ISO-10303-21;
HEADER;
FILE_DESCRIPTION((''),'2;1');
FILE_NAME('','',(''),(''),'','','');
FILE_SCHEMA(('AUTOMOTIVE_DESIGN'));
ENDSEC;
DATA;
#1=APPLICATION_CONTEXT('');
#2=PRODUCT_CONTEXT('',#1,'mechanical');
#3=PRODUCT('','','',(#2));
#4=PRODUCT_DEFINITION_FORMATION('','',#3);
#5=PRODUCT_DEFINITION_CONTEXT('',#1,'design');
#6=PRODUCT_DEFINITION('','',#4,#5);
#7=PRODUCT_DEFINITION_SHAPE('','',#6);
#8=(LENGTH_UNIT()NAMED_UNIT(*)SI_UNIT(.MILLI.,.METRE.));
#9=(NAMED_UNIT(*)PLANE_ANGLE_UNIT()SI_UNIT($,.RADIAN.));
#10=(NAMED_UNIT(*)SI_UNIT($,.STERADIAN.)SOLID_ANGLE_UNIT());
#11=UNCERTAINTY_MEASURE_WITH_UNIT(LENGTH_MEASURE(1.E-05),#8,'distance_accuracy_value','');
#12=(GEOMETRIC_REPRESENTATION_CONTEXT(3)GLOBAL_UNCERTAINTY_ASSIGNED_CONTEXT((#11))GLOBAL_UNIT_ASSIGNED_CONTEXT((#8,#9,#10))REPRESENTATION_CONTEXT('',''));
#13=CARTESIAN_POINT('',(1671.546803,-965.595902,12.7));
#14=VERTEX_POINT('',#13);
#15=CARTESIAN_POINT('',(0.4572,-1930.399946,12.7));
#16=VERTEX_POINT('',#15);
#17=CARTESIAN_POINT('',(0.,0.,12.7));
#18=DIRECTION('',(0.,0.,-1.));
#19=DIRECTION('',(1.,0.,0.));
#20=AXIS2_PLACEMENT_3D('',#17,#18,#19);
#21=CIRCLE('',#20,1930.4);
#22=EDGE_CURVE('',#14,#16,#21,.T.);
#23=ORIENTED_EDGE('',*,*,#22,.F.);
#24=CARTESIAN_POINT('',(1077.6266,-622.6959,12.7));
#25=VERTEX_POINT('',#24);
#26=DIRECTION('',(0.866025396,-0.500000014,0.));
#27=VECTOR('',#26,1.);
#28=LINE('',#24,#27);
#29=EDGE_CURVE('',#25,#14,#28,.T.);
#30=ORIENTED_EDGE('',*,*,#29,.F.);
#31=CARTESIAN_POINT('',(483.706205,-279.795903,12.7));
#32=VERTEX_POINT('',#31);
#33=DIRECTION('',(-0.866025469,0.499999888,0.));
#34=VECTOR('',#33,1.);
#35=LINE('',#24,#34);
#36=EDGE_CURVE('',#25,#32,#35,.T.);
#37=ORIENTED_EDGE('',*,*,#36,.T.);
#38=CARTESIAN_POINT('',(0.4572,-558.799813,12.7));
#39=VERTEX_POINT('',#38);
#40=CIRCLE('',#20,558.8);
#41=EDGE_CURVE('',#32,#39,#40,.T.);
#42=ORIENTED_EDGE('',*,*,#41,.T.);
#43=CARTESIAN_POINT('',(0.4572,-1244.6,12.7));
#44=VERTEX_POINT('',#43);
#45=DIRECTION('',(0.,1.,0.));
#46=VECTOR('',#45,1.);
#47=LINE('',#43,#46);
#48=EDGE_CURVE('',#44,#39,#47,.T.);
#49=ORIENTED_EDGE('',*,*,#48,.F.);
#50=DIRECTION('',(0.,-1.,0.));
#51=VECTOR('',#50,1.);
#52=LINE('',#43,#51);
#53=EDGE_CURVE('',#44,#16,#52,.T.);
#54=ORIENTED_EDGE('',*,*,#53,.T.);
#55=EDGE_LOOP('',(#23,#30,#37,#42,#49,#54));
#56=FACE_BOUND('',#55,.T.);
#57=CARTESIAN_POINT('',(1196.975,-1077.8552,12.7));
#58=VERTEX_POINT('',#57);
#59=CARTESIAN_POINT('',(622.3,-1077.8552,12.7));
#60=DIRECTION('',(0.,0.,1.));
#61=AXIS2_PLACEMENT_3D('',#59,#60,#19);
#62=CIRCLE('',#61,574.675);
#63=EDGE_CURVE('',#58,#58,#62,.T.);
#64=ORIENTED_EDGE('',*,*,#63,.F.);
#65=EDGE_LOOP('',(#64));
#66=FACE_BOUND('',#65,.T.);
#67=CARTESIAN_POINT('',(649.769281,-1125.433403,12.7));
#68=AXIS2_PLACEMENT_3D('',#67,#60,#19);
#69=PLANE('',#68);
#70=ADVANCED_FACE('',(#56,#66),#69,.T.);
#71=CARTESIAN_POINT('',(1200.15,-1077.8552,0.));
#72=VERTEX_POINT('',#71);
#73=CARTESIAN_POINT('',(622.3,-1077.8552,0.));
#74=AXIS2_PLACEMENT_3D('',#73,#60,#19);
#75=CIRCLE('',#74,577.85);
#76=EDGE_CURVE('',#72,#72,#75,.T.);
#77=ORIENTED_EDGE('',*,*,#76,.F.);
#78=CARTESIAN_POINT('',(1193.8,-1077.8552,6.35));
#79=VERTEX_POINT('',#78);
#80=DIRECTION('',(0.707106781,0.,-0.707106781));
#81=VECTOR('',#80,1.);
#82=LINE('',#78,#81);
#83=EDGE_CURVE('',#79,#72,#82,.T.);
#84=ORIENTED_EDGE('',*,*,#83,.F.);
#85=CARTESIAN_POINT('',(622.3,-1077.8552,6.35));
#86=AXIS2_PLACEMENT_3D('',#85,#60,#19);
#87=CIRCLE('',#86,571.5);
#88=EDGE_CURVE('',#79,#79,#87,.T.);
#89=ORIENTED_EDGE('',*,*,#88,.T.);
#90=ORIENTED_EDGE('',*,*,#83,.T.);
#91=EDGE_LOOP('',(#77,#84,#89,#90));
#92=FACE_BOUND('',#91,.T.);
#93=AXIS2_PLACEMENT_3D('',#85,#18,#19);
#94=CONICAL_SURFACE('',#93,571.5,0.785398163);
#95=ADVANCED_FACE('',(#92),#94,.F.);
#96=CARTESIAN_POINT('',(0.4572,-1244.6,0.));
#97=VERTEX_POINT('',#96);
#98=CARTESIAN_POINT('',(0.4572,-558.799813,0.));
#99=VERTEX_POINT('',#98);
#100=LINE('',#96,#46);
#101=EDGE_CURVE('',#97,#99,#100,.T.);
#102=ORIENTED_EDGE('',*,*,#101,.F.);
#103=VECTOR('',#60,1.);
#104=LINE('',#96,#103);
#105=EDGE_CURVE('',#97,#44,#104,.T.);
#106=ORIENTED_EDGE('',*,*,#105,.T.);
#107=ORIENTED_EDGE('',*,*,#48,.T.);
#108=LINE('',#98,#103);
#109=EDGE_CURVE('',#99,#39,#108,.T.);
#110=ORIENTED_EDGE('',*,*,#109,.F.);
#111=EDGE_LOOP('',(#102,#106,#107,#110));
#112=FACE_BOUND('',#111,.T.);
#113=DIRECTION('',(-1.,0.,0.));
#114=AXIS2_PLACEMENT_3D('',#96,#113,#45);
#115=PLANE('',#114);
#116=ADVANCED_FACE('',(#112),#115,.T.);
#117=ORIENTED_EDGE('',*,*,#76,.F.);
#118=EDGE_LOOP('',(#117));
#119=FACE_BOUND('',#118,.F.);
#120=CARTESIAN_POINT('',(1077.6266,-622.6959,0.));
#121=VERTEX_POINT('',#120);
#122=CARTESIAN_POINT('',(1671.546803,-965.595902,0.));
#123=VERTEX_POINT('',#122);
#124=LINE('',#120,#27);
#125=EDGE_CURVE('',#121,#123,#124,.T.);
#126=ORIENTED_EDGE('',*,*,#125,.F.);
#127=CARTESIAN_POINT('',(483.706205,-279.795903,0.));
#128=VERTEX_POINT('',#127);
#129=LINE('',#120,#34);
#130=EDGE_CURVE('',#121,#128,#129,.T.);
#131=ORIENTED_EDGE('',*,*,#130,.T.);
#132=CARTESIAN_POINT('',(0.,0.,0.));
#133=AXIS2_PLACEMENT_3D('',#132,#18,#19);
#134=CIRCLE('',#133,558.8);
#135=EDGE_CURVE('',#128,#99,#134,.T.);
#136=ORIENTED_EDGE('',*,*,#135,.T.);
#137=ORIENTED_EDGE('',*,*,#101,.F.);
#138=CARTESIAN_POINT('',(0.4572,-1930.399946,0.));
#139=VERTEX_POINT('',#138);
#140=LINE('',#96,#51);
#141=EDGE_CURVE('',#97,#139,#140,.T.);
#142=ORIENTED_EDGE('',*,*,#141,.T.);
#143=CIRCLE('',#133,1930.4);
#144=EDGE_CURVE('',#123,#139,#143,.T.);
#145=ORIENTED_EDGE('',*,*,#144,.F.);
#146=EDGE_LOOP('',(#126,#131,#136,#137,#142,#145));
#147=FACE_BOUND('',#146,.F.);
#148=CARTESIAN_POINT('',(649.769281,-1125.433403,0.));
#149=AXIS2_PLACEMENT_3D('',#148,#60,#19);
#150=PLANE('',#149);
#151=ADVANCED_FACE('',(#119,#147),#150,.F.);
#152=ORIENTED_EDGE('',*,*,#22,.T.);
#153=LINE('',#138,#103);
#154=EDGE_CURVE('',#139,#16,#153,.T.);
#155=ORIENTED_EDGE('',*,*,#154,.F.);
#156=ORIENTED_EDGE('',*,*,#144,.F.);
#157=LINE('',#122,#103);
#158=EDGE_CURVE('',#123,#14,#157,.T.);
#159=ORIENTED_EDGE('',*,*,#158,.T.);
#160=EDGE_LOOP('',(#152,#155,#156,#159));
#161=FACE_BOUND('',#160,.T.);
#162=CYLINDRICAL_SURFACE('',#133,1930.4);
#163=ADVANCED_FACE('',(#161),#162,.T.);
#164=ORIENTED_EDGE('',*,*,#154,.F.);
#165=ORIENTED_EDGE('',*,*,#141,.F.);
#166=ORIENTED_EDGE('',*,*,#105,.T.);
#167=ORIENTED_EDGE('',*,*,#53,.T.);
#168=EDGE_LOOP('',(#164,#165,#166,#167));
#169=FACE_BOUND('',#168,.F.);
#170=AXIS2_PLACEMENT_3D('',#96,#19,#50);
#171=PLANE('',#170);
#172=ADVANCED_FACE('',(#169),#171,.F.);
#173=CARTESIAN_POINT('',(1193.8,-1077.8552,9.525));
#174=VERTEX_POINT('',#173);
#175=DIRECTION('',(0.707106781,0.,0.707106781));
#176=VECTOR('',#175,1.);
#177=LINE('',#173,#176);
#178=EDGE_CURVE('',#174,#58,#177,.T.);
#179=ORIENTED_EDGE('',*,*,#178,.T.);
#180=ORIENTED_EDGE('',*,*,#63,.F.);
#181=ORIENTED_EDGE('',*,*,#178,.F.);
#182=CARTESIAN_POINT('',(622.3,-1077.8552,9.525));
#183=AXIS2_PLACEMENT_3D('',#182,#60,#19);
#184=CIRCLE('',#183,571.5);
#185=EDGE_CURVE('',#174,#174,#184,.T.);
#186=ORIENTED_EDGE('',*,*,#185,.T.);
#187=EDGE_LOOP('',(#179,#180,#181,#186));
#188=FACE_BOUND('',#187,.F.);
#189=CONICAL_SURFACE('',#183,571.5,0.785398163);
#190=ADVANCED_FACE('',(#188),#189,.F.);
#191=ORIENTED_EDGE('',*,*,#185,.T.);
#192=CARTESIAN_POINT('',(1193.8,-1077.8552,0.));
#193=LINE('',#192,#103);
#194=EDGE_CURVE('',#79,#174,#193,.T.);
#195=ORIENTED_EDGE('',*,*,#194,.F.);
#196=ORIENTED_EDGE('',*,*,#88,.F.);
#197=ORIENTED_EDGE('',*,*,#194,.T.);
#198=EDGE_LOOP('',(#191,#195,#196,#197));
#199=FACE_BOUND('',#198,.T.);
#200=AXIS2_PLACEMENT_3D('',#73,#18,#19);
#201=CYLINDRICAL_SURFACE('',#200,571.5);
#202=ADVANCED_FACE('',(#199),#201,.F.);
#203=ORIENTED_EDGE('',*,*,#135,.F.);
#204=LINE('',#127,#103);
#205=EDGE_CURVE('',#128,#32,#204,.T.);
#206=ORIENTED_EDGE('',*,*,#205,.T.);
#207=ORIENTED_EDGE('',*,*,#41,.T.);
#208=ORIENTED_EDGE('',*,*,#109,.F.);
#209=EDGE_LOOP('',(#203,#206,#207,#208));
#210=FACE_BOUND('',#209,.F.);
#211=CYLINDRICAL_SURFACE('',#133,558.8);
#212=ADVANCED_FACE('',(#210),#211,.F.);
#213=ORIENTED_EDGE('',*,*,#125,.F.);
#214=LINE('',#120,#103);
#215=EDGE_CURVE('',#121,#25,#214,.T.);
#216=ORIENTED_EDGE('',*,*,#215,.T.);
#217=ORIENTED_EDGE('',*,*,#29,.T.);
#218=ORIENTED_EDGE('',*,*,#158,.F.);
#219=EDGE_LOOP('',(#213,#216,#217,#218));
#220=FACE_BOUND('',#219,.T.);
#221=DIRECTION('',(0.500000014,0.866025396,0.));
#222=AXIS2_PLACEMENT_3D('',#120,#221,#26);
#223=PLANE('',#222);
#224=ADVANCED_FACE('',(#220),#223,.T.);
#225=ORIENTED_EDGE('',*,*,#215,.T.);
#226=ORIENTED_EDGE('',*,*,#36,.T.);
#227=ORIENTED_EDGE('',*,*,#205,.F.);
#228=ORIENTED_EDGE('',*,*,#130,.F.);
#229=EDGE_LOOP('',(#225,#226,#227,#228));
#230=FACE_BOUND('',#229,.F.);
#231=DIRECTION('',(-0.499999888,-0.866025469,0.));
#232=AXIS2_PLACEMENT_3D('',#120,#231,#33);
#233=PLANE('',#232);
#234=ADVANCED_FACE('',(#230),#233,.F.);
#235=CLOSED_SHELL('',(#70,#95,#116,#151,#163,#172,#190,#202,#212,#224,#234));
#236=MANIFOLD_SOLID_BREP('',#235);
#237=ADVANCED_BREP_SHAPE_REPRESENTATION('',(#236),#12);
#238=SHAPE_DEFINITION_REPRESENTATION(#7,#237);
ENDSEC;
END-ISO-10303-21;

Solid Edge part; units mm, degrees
sketch "Sketch1" plane through (0, 0, 0) normal (0, 0, 1) x (1, 0, 0)
  line L0 (1077.6266, -622.6959) -> (483.7062, -279.7959)
  line L1 (0.4572, -1244.6) -> (0.4572, -558.7998)
  line L2 (0.4572, -1244.6) -> (0.4572, -1930.3999)
  line L3 (1077.6266, -622.6959) -> (1671.5468, -965.5959)
  arc A0 (483.7062, -279.7959) -> (0.4572, -558.7998) centre (0, 0) cw
  arc A1 (1671.5468, -965.5959) -> (0.4572, -1930.3999) centre (0, 0) cw
  circle A2 centre (622.3, -1077.8552) radius 571.5
extrude "Protrusion1" add sketch "Sketch1" along normal blind 12.7
chamfer "Chamfer_1" distance 3.175 angle 45 1 edges at (50.8, -1077.8552, 12.7)
chamfer "Chamfer_2" distance 6.35 angle 45 1 edges at (50.8, -1077.8552, 0)
